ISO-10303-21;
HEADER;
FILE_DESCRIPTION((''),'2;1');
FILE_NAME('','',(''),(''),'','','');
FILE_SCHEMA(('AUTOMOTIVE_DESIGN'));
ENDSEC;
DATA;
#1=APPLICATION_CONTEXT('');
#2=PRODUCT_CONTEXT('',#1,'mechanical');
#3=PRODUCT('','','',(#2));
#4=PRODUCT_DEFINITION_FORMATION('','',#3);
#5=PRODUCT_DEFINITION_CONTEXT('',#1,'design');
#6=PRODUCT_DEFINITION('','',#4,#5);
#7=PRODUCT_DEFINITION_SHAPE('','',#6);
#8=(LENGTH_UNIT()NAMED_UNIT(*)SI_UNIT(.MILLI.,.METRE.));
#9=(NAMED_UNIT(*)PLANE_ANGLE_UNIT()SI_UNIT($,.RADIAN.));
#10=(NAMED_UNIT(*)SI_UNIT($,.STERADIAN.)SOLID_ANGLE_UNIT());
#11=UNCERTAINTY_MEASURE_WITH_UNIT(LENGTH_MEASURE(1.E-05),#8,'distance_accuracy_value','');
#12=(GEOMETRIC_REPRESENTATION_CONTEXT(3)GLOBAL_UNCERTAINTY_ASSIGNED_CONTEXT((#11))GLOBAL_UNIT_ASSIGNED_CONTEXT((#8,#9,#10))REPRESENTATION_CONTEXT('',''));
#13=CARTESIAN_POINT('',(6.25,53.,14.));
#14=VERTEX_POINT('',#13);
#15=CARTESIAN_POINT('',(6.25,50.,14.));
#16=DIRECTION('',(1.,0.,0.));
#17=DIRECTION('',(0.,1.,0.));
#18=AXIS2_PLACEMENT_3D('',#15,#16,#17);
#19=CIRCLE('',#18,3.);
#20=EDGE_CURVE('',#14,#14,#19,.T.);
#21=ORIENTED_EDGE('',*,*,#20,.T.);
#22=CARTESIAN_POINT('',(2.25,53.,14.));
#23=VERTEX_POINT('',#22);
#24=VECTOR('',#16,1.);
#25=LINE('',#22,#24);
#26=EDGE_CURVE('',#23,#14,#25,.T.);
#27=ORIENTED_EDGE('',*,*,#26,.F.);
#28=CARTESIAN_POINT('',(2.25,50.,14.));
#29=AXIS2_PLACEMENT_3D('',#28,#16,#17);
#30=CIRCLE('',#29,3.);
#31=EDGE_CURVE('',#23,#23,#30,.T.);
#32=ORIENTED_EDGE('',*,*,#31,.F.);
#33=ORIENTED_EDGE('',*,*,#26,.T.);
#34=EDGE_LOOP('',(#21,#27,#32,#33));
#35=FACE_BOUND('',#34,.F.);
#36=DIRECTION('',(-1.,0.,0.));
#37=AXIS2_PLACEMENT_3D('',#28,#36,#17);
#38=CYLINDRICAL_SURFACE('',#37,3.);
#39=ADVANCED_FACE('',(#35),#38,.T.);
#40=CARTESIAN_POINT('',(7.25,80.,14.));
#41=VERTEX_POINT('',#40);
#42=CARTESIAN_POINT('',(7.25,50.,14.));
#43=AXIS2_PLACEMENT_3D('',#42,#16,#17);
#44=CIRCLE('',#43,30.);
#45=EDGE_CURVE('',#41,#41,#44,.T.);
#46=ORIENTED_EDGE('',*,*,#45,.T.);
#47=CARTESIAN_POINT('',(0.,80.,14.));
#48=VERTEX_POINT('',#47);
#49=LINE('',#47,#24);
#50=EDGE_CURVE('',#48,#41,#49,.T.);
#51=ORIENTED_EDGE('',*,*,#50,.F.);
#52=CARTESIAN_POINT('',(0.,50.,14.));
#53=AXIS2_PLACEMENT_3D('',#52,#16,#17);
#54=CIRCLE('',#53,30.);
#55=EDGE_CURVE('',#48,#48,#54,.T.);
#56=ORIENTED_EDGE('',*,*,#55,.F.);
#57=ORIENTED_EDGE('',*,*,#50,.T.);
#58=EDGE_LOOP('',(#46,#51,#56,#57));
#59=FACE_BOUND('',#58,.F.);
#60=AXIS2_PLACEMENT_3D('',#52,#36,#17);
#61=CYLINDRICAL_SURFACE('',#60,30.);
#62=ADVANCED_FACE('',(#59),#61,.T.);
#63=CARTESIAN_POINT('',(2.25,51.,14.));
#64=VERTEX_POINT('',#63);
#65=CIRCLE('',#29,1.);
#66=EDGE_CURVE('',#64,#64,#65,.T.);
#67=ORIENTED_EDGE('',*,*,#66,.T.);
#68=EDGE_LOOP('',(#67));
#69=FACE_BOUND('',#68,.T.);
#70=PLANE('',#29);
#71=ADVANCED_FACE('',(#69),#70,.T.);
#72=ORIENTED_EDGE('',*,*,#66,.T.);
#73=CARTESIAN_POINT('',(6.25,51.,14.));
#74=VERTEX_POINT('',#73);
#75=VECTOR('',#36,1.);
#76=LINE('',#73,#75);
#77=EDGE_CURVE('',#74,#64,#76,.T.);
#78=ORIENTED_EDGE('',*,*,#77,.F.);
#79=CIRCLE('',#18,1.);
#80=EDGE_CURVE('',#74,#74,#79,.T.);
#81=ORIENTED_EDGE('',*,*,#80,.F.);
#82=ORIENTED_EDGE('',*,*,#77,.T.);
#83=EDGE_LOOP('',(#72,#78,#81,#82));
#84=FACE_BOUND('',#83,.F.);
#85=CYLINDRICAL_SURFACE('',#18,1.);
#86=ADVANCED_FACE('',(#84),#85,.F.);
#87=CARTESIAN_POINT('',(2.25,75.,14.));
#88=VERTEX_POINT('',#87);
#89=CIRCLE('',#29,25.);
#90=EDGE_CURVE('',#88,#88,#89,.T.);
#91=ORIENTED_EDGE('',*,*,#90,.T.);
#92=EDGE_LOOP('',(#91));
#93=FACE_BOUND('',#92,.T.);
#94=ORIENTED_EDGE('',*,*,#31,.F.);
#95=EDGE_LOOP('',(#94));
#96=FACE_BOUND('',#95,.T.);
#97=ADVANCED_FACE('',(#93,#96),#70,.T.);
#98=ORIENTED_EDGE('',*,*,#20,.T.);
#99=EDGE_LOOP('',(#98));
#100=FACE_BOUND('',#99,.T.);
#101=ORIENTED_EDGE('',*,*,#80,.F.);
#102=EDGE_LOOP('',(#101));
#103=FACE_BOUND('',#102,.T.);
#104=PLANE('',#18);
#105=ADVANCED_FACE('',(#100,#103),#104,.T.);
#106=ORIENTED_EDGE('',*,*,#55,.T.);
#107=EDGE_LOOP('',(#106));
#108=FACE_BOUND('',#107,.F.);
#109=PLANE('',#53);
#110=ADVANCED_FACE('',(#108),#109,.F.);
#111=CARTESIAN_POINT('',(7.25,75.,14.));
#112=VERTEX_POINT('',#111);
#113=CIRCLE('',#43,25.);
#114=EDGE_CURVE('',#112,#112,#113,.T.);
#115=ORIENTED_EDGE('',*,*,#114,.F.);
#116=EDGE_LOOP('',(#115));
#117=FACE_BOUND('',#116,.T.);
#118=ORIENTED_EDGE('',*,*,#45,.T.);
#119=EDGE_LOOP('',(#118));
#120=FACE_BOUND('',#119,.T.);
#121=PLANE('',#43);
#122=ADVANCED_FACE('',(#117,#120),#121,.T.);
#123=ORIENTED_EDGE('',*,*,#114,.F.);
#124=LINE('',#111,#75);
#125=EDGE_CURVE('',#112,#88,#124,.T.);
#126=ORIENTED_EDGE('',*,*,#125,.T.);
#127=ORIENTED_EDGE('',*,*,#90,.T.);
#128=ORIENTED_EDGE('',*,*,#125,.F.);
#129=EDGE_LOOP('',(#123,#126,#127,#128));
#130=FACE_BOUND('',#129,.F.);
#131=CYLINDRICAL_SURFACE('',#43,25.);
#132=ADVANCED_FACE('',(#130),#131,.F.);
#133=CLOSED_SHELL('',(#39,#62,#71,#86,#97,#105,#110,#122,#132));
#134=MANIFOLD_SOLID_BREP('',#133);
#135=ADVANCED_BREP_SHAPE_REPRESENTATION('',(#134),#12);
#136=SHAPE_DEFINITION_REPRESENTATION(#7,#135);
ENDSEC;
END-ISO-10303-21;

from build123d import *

# Parameters (mm, degrees)
SKETCH058_R     = 30
PAD035_DEPTH    = 7.25
SKETCH067_R     = 25
POCKET016_DEPTH = 5
SKETCH068_R     = 3
PAD040_DEPTH    = 4
SKETCH069_R     = 1
POCKET017_DEPTH = 4


with BuildPart() as part:
    # Sketch058 → Pad035 (new body)
    with BuildSketch(Plane.YZ):
        with Locations((50, 14)):
            Circle(SKETCH058_R)
    extrude(amount=PAD035_DEPTH)

    # Sketch067 (on Face3 of Pad035) → Pocket016 (cut)
    with BuildSketch(Plane.YZ.offset(7.25)):
        with Locations((50, 14)):
            Circle(SKETCH067_R)
    extrude(amount=-POCKET016_DEPTH, mode=Mode.SUBTRACT)

    # Sketch068 (on Face5 of Pocket016) → Pad040 (join)
    with BuildSketch(Plane.YZ.offset(2.25)):
        with Locations((50, 14)):
            Circle(SKETCH068_R)
    extrude(amount=PAD040_DEPTH)

    # Sketch069 (on Face7 of Pad040) → Pocket017 (cut)
    with BuildSketch(Plane.YZ.offset(6.25)):
        with Locations((50, 14)):
            Circle(SKETCH069_R)
    extrude(amount=-POCKET017_DEPTH, mode=Mode.SUBTRACT)


solid = part.part
